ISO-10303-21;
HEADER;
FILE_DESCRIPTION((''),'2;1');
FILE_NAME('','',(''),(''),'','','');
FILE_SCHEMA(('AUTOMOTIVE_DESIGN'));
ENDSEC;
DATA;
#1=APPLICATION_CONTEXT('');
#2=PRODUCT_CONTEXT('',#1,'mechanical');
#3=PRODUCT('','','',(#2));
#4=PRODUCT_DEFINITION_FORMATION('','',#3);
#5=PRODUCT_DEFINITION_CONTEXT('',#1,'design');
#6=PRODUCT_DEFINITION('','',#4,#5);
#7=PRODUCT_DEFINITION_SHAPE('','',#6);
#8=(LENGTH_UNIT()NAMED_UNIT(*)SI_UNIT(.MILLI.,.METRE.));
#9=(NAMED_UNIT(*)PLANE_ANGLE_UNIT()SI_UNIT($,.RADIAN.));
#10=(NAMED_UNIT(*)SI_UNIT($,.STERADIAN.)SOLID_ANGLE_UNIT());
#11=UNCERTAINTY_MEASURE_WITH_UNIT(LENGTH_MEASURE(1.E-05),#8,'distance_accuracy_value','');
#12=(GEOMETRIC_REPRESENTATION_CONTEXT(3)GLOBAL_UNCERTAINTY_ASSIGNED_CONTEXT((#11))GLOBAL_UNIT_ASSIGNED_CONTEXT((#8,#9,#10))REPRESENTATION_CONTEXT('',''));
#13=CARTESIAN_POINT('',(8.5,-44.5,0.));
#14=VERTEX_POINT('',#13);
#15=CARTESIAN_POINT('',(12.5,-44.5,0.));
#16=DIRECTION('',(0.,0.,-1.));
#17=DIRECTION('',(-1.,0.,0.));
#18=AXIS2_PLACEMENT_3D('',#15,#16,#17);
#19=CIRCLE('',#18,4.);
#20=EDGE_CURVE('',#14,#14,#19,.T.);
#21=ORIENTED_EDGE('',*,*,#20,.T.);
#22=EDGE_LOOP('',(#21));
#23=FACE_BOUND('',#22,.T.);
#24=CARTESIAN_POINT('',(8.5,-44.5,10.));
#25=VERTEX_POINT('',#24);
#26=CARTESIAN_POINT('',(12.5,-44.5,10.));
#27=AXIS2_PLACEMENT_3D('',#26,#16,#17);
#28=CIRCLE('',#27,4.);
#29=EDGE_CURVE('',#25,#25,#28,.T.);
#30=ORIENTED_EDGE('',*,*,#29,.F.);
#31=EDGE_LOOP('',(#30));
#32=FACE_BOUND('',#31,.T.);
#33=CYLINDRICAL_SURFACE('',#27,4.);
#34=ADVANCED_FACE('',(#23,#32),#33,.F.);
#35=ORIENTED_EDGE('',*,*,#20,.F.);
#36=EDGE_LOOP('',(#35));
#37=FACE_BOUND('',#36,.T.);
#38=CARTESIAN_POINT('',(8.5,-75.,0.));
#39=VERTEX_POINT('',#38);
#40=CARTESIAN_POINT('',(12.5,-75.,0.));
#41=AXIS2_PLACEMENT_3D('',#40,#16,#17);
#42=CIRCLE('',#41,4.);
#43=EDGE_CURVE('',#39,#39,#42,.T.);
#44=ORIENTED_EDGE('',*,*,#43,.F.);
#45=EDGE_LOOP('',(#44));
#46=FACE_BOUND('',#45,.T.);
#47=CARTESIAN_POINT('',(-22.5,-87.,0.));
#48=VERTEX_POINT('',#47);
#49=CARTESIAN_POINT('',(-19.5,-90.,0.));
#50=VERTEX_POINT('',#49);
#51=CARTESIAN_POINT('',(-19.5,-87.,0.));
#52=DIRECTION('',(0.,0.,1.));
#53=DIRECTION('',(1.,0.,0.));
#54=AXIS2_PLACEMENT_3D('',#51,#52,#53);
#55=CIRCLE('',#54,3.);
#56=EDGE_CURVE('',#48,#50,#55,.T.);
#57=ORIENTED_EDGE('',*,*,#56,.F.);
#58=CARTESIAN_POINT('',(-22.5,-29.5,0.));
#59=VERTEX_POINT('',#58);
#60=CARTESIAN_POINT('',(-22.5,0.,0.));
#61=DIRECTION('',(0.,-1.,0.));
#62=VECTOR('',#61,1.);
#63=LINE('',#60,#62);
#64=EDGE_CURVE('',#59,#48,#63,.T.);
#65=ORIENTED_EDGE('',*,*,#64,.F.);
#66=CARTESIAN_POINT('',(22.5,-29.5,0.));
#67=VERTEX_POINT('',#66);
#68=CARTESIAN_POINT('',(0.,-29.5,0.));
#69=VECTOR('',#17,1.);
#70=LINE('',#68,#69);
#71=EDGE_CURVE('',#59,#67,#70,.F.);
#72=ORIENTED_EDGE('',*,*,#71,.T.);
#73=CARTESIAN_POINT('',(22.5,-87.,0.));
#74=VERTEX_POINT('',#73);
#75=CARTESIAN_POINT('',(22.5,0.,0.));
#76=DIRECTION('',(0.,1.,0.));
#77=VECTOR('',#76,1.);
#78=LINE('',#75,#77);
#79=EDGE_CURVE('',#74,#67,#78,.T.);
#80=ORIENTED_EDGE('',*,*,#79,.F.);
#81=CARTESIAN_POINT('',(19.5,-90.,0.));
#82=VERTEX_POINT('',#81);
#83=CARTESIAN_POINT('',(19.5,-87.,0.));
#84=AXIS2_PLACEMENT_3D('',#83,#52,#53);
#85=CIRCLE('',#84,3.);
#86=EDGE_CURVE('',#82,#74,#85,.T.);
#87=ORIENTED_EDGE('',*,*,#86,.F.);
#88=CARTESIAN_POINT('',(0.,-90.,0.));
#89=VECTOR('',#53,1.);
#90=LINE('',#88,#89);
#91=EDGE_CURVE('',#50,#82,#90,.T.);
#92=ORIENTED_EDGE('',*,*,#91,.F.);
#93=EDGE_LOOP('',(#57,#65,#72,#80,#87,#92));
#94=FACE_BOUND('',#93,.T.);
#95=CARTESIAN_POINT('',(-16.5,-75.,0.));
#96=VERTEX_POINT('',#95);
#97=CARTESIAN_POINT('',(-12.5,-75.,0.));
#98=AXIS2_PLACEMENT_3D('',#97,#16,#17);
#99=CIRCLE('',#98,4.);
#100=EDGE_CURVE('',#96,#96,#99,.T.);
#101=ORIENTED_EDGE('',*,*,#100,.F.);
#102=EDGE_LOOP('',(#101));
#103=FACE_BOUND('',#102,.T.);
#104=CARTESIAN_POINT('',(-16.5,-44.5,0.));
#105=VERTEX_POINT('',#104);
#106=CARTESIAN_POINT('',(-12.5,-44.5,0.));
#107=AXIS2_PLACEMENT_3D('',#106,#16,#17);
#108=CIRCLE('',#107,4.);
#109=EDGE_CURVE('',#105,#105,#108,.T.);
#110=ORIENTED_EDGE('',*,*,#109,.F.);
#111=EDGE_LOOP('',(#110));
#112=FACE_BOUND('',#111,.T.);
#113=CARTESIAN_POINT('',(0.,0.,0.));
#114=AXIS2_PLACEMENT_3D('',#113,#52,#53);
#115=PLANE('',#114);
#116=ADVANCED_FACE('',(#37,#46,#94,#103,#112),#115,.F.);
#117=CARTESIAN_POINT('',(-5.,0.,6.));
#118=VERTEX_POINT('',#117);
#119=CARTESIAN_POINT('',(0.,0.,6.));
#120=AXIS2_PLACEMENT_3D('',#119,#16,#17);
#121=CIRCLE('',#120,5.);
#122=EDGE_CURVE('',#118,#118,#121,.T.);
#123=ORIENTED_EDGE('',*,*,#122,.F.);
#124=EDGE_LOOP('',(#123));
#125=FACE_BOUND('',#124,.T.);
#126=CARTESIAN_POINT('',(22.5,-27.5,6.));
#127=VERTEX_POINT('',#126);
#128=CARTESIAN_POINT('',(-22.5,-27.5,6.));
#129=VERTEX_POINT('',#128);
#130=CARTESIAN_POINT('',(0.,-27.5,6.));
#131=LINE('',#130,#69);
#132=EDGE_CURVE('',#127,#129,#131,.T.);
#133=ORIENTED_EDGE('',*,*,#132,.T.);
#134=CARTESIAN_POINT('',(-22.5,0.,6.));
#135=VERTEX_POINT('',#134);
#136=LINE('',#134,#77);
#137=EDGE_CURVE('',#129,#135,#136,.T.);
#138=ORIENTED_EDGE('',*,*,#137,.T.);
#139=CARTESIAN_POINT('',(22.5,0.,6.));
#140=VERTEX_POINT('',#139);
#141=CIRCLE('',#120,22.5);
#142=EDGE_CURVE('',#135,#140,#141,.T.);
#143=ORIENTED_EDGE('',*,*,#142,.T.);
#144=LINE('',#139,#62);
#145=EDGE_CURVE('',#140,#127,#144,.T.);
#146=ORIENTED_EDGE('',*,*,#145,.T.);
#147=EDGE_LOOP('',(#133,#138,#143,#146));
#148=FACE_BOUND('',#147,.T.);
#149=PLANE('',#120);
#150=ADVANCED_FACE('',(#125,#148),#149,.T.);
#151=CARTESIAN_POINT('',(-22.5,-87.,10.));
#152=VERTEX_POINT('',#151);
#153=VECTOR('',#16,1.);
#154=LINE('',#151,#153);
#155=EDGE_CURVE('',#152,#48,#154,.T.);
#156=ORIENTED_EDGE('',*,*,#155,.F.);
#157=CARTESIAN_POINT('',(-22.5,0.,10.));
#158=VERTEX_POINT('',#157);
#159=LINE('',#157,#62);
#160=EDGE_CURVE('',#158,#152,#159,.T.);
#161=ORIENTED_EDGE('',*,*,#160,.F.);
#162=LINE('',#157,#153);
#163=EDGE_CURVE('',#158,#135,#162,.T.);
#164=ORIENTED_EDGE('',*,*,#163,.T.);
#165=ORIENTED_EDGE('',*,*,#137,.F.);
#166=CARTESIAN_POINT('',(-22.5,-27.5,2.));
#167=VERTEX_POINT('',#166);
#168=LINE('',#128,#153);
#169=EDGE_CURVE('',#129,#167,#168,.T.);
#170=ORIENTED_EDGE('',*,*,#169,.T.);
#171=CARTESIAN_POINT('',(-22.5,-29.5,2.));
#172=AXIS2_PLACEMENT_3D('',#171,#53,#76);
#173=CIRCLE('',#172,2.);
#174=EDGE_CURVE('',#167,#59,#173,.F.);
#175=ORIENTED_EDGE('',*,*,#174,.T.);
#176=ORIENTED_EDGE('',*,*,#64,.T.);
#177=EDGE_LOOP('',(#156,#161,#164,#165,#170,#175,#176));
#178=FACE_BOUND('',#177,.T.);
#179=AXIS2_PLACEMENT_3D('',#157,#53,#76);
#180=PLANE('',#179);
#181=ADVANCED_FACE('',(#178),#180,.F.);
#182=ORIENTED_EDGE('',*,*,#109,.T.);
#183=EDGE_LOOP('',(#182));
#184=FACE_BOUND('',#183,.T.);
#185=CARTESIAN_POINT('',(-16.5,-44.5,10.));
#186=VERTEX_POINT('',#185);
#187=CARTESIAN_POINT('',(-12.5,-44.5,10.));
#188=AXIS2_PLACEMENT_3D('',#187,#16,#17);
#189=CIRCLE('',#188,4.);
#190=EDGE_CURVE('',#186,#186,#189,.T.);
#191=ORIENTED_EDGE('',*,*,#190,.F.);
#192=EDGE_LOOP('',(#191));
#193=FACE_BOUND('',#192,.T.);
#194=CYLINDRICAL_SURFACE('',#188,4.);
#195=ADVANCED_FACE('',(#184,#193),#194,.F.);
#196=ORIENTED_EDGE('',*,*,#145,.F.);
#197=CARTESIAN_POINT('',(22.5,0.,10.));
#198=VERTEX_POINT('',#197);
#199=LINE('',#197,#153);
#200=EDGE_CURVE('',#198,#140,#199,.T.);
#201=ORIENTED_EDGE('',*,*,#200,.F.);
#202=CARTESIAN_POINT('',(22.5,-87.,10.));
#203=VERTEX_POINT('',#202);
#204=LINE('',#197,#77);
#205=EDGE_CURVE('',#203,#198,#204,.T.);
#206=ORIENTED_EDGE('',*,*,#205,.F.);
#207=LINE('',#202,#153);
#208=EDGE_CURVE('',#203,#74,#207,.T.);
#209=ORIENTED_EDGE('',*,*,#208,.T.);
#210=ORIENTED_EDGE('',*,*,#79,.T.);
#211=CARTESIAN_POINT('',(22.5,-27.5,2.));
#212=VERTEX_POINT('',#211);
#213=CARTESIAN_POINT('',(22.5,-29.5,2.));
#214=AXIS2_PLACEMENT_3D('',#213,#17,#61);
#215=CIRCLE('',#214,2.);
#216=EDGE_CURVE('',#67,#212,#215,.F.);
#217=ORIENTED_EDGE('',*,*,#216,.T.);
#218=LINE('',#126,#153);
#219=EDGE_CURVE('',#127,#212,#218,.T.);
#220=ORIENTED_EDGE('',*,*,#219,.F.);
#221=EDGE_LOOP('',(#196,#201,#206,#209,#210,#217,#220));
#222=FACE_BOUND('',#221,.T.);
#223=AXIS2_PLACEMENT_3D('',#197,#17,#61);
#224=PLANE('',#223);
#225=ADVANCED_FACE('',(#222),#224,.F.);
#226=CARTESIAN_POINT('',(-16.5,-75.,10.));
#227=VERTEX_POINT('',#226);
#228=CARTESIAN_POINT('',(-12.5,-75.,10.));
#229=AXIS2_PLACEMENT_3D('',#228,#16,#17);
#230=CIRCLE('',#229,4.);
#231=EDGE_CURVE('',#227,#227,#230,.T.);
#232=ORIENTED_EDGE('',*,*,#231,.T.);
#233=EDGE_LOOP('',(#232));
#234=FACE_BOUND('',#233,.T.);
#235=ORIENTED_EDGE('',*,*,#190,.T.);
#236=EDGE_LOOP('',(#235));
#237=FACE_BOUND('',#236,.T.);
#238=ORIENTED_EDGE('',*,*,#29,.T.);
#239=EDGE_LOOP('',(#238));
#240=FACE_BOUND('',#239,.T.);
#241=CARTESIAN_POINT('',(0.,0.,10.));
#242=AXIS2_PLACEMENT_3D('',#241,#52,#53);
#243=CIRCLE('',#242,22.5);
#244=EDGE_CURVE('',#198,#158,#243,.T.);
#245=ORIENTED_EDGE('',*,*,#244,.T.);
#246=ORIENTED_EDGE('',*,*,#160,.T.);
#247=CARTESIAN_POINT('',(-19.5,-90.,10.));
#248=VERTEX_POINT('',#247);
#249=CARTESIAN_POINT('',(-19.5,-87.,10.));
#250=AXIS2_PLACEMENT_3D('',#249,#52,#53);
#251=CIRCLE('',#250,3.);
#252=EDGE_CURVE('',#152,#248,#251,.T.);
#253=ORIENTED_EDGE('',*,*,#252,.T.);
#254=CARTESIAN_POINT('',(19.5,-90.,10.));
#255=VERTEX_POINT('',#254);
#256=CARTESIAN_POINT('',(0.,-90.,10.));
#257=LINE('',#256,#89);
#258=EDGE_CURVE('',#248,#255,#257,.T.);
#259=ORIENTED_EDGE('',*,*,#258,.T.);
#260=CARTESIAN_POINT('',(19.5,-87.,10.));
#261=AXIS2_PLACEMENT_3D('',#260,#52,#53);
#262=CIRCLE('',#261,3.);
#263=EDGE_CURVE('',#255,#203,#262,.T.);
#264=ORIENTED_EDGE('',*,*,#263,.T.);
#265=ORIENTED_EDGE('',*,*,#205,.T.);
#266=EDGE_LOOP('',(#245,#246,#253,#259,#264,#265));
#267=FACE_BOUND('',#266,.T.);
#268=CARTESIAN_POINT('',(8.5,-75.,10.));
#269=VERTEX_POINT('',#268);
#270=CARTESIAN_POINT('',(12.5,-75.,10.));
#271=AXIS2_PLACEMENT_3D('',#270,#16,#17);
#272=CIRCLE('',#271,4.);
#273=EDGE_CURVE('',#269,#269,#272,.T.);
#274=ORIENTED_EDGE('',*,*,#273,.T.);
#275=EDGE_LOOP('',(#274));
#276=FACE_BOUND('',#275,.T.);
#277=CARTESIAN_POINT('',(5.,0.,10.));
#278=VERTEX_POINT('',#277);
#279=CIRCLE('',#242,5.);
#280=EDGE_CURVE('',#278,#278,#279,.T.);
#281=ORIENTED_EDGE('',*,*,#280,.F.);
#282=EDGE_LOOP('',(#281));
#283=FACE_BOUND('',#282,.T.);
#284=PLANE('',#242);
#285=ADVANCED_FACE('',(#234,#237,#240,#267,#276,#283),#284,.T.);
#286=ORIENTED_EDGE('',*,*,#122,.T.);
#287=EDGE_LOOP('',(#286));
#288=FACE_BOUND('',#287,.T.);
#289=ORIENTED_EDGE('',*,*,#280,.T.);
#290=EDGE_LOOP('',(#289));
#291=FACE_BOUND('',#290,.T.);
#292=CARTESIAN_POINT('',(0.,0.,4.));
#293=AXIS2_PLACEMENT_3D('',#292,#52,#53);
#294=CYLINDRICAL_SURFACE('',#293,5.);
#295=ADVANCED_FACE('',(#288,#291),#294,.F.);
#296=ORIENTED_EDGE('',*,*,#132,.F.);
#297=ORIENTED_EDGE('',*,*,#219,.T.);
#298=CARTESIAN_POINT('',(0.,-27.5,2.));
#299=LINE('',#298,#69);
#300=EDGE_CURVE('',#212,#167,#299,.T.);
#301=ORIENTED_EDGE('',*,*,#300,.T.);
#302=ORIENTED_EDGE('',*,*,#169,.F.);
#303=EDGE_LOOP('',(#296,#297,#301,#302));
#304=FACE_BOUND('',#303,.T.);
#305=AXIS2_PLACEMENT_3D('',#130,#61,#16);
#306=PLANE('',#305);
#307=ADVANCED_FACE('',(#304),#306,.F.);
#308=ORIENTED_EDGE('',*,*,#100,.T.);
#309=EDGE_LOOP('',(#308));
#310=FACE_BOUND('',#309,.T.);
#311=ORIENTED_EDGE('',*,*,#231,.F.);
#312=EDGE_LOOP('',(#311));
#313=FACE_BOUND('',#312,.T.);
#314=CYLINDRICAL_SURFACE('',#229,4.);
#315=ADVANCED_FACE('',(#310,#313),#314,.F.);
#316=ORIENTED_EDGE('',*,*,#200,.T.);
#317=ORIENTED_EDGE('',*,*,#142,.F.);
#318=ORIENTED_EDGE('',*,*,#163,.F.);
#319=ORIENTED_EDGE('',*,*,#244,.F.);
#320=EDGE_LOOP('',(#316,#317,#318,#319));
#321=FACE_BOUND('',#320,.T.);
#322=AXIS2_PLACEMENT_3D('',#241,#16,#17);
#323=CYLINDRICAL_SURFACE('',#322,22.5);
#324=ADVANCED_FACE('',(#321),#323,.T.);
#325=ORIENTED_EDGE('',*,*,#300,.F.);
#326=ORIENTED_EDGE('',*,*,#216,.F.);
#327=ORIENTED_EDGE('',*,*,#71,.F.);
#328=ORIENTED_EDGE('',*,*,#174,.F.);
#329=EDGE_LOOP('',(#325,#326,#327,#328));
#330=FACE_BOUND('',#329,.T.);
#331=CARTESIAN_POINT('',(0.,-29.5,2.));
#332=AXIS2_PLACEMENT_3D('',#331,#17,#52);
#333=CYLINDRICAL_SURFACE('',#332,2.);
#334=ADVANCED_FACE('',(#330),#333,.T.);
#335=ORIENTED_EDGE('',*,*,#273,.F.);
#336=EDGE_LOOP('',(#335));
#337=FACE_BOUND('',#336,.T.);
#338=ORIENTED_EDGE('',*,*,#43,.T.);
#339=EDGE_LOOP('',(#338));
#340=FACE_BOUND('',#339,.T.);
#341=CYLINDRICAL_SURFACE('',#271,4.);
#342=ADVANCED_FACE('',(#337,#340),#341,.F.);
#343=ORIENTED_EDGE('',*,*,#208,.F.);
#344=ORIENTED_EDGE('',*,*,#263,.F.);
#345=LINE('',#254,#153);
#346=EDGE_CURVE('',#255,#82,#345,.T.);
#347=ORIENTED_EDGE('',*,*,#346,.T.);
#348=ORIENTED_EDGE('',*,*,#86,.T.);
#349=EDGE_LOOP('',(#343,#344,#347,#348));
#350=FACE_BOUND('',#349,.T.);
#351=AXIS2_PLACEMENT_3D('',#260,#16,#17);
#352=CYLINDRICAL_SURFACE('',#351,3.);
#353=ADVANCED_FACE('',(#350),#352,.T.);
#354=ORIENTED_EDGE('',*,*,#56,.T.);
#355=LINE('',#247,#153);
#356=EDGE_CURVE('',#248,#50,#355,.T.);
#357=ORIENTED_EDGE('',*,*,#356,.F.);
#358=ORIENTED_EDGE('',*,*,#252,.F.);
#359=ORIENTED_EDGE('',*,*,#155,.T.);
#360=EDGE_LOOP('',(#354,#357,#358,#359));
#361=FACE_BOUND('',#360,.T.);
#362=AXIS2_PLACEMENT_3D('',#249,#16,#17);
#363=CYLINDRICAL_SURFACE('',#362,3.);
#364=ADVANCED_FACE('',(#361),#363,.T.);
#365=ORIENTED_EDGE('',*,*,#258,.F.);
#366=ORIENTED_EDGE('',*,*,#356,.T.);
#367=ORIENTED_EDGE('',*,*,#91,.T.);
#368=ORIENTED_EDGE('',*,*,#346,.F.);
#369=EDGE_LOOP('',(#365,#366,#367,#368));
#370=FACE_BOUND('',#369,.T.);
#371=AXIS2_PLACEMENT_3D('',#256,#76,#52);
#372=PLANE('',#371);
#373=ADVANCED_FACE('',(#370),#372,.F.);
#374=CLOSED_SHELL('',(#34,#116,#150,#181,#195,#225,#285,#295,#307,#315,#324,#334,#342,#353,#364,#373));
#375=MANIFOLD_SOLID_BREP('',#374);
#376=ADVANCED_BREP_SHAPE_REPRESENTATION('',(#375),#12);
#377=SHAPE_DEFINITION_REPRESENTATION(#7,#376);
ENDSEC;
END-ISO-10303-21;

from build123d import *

# Parameters (mm, degrees)
EXTRUDE_1_DEPTH     = 10
CUT_EXTRUDE_1_DEPTH = 6
FILLET_1_R          = 2
SKETCH_3_R          = 5
CUT_EXTRUDE_2_DEPTH = 6
SKETCH_5_R          = 4
CUT_EXTRUDE_3_DEPTH = 94.307288033


with BuildPart() as part:
    # 草图1 → 凸台-拉伸1 (new body)
    with BuildSketch(Plane.XY):
        with BuildLine():
            Line((-22.5, 0), (-22.5, -87))
            ThreePointArc((-22.5, -87), (-21.621320344, -89.121320344), (-19.5, -90))
            Line((-19.5, -90), (19.5, -90))
            ThreePointArc((19.5, -90), (21.621320344, -89.121320344), (22.5, -87))
            Line((22.5, -87), (22.5, 0))
            ThreePointArc((22.5, 0), (0, 22.5), (-22.5, 0))
        make_face()
    extrude(amount=EXTRUDE_1_DEPTH)

    # 草图2 → 切除-拉伸1 (cut)
    with BuildSketch(Plane(origin=(0, 0, 0), x_dir=(-1, 0, 0), z_dir=(0, 0, -1))):
        with BuildLine():
            Line((-22.5, 0), (-22.5, -27.5))
            Line((-22.5, -27.5), (22.5, -27.5))
            Line((22.5, -27.5), (22.5, 0))
            ThreePointArc((22.5, 0), (15.909902614, 15.909902539), (1.06e-07, 22.5))
            ThreePointArc((1.06e-07, 22.5), (-15.909902539, 15.909902614), (-22.5, 0))
        make_face()
    extrude(amount=-CUT_EXTRUDE_1_DEPTH, mode=Mode.SUBTRACT)

    # 圆角1
    fillet_1_edges = [part.edges().sort_by_distance(p)[0] for p in [
        (0, -27.5, 0),
    ]]
    fillet(fillet_1_edges, radius=FILLET_1_R)

    # 草图3 → 切除-拉伸2 (cut)
    with BuildSketch(Plane.XY.offset(10)):
        Circle(SKETCH_3_R)
    extrude(amount=-CUT_EXTRUDE_2_DEPTH, mode=Mode.SUBTRACT)

    # 草图5 → 切除-拉伸3 (cut, through all)
    with BuildSketch(Plane(origin=(0, 0, 0), x_dir=(-1, 0, 0), z_dir=(0, 0, -1))):
        with Locations((-12.5, -44.5)):
            Circle(SKETCH_5_R)
        with Locations((12.5, -44.5)):
            Circle(SKETCH_5_R)
        with Locations((12.5, -75)):
            Circle(SKETCH_5_R)
        with Locations((-12.5, -75)):
            Circle(SKETCH_5_R)
    extrude(amount=-CUT_EXTRUDE_3_DEPTH, mode=Mode.SUBTRACT)


solid = part.part
